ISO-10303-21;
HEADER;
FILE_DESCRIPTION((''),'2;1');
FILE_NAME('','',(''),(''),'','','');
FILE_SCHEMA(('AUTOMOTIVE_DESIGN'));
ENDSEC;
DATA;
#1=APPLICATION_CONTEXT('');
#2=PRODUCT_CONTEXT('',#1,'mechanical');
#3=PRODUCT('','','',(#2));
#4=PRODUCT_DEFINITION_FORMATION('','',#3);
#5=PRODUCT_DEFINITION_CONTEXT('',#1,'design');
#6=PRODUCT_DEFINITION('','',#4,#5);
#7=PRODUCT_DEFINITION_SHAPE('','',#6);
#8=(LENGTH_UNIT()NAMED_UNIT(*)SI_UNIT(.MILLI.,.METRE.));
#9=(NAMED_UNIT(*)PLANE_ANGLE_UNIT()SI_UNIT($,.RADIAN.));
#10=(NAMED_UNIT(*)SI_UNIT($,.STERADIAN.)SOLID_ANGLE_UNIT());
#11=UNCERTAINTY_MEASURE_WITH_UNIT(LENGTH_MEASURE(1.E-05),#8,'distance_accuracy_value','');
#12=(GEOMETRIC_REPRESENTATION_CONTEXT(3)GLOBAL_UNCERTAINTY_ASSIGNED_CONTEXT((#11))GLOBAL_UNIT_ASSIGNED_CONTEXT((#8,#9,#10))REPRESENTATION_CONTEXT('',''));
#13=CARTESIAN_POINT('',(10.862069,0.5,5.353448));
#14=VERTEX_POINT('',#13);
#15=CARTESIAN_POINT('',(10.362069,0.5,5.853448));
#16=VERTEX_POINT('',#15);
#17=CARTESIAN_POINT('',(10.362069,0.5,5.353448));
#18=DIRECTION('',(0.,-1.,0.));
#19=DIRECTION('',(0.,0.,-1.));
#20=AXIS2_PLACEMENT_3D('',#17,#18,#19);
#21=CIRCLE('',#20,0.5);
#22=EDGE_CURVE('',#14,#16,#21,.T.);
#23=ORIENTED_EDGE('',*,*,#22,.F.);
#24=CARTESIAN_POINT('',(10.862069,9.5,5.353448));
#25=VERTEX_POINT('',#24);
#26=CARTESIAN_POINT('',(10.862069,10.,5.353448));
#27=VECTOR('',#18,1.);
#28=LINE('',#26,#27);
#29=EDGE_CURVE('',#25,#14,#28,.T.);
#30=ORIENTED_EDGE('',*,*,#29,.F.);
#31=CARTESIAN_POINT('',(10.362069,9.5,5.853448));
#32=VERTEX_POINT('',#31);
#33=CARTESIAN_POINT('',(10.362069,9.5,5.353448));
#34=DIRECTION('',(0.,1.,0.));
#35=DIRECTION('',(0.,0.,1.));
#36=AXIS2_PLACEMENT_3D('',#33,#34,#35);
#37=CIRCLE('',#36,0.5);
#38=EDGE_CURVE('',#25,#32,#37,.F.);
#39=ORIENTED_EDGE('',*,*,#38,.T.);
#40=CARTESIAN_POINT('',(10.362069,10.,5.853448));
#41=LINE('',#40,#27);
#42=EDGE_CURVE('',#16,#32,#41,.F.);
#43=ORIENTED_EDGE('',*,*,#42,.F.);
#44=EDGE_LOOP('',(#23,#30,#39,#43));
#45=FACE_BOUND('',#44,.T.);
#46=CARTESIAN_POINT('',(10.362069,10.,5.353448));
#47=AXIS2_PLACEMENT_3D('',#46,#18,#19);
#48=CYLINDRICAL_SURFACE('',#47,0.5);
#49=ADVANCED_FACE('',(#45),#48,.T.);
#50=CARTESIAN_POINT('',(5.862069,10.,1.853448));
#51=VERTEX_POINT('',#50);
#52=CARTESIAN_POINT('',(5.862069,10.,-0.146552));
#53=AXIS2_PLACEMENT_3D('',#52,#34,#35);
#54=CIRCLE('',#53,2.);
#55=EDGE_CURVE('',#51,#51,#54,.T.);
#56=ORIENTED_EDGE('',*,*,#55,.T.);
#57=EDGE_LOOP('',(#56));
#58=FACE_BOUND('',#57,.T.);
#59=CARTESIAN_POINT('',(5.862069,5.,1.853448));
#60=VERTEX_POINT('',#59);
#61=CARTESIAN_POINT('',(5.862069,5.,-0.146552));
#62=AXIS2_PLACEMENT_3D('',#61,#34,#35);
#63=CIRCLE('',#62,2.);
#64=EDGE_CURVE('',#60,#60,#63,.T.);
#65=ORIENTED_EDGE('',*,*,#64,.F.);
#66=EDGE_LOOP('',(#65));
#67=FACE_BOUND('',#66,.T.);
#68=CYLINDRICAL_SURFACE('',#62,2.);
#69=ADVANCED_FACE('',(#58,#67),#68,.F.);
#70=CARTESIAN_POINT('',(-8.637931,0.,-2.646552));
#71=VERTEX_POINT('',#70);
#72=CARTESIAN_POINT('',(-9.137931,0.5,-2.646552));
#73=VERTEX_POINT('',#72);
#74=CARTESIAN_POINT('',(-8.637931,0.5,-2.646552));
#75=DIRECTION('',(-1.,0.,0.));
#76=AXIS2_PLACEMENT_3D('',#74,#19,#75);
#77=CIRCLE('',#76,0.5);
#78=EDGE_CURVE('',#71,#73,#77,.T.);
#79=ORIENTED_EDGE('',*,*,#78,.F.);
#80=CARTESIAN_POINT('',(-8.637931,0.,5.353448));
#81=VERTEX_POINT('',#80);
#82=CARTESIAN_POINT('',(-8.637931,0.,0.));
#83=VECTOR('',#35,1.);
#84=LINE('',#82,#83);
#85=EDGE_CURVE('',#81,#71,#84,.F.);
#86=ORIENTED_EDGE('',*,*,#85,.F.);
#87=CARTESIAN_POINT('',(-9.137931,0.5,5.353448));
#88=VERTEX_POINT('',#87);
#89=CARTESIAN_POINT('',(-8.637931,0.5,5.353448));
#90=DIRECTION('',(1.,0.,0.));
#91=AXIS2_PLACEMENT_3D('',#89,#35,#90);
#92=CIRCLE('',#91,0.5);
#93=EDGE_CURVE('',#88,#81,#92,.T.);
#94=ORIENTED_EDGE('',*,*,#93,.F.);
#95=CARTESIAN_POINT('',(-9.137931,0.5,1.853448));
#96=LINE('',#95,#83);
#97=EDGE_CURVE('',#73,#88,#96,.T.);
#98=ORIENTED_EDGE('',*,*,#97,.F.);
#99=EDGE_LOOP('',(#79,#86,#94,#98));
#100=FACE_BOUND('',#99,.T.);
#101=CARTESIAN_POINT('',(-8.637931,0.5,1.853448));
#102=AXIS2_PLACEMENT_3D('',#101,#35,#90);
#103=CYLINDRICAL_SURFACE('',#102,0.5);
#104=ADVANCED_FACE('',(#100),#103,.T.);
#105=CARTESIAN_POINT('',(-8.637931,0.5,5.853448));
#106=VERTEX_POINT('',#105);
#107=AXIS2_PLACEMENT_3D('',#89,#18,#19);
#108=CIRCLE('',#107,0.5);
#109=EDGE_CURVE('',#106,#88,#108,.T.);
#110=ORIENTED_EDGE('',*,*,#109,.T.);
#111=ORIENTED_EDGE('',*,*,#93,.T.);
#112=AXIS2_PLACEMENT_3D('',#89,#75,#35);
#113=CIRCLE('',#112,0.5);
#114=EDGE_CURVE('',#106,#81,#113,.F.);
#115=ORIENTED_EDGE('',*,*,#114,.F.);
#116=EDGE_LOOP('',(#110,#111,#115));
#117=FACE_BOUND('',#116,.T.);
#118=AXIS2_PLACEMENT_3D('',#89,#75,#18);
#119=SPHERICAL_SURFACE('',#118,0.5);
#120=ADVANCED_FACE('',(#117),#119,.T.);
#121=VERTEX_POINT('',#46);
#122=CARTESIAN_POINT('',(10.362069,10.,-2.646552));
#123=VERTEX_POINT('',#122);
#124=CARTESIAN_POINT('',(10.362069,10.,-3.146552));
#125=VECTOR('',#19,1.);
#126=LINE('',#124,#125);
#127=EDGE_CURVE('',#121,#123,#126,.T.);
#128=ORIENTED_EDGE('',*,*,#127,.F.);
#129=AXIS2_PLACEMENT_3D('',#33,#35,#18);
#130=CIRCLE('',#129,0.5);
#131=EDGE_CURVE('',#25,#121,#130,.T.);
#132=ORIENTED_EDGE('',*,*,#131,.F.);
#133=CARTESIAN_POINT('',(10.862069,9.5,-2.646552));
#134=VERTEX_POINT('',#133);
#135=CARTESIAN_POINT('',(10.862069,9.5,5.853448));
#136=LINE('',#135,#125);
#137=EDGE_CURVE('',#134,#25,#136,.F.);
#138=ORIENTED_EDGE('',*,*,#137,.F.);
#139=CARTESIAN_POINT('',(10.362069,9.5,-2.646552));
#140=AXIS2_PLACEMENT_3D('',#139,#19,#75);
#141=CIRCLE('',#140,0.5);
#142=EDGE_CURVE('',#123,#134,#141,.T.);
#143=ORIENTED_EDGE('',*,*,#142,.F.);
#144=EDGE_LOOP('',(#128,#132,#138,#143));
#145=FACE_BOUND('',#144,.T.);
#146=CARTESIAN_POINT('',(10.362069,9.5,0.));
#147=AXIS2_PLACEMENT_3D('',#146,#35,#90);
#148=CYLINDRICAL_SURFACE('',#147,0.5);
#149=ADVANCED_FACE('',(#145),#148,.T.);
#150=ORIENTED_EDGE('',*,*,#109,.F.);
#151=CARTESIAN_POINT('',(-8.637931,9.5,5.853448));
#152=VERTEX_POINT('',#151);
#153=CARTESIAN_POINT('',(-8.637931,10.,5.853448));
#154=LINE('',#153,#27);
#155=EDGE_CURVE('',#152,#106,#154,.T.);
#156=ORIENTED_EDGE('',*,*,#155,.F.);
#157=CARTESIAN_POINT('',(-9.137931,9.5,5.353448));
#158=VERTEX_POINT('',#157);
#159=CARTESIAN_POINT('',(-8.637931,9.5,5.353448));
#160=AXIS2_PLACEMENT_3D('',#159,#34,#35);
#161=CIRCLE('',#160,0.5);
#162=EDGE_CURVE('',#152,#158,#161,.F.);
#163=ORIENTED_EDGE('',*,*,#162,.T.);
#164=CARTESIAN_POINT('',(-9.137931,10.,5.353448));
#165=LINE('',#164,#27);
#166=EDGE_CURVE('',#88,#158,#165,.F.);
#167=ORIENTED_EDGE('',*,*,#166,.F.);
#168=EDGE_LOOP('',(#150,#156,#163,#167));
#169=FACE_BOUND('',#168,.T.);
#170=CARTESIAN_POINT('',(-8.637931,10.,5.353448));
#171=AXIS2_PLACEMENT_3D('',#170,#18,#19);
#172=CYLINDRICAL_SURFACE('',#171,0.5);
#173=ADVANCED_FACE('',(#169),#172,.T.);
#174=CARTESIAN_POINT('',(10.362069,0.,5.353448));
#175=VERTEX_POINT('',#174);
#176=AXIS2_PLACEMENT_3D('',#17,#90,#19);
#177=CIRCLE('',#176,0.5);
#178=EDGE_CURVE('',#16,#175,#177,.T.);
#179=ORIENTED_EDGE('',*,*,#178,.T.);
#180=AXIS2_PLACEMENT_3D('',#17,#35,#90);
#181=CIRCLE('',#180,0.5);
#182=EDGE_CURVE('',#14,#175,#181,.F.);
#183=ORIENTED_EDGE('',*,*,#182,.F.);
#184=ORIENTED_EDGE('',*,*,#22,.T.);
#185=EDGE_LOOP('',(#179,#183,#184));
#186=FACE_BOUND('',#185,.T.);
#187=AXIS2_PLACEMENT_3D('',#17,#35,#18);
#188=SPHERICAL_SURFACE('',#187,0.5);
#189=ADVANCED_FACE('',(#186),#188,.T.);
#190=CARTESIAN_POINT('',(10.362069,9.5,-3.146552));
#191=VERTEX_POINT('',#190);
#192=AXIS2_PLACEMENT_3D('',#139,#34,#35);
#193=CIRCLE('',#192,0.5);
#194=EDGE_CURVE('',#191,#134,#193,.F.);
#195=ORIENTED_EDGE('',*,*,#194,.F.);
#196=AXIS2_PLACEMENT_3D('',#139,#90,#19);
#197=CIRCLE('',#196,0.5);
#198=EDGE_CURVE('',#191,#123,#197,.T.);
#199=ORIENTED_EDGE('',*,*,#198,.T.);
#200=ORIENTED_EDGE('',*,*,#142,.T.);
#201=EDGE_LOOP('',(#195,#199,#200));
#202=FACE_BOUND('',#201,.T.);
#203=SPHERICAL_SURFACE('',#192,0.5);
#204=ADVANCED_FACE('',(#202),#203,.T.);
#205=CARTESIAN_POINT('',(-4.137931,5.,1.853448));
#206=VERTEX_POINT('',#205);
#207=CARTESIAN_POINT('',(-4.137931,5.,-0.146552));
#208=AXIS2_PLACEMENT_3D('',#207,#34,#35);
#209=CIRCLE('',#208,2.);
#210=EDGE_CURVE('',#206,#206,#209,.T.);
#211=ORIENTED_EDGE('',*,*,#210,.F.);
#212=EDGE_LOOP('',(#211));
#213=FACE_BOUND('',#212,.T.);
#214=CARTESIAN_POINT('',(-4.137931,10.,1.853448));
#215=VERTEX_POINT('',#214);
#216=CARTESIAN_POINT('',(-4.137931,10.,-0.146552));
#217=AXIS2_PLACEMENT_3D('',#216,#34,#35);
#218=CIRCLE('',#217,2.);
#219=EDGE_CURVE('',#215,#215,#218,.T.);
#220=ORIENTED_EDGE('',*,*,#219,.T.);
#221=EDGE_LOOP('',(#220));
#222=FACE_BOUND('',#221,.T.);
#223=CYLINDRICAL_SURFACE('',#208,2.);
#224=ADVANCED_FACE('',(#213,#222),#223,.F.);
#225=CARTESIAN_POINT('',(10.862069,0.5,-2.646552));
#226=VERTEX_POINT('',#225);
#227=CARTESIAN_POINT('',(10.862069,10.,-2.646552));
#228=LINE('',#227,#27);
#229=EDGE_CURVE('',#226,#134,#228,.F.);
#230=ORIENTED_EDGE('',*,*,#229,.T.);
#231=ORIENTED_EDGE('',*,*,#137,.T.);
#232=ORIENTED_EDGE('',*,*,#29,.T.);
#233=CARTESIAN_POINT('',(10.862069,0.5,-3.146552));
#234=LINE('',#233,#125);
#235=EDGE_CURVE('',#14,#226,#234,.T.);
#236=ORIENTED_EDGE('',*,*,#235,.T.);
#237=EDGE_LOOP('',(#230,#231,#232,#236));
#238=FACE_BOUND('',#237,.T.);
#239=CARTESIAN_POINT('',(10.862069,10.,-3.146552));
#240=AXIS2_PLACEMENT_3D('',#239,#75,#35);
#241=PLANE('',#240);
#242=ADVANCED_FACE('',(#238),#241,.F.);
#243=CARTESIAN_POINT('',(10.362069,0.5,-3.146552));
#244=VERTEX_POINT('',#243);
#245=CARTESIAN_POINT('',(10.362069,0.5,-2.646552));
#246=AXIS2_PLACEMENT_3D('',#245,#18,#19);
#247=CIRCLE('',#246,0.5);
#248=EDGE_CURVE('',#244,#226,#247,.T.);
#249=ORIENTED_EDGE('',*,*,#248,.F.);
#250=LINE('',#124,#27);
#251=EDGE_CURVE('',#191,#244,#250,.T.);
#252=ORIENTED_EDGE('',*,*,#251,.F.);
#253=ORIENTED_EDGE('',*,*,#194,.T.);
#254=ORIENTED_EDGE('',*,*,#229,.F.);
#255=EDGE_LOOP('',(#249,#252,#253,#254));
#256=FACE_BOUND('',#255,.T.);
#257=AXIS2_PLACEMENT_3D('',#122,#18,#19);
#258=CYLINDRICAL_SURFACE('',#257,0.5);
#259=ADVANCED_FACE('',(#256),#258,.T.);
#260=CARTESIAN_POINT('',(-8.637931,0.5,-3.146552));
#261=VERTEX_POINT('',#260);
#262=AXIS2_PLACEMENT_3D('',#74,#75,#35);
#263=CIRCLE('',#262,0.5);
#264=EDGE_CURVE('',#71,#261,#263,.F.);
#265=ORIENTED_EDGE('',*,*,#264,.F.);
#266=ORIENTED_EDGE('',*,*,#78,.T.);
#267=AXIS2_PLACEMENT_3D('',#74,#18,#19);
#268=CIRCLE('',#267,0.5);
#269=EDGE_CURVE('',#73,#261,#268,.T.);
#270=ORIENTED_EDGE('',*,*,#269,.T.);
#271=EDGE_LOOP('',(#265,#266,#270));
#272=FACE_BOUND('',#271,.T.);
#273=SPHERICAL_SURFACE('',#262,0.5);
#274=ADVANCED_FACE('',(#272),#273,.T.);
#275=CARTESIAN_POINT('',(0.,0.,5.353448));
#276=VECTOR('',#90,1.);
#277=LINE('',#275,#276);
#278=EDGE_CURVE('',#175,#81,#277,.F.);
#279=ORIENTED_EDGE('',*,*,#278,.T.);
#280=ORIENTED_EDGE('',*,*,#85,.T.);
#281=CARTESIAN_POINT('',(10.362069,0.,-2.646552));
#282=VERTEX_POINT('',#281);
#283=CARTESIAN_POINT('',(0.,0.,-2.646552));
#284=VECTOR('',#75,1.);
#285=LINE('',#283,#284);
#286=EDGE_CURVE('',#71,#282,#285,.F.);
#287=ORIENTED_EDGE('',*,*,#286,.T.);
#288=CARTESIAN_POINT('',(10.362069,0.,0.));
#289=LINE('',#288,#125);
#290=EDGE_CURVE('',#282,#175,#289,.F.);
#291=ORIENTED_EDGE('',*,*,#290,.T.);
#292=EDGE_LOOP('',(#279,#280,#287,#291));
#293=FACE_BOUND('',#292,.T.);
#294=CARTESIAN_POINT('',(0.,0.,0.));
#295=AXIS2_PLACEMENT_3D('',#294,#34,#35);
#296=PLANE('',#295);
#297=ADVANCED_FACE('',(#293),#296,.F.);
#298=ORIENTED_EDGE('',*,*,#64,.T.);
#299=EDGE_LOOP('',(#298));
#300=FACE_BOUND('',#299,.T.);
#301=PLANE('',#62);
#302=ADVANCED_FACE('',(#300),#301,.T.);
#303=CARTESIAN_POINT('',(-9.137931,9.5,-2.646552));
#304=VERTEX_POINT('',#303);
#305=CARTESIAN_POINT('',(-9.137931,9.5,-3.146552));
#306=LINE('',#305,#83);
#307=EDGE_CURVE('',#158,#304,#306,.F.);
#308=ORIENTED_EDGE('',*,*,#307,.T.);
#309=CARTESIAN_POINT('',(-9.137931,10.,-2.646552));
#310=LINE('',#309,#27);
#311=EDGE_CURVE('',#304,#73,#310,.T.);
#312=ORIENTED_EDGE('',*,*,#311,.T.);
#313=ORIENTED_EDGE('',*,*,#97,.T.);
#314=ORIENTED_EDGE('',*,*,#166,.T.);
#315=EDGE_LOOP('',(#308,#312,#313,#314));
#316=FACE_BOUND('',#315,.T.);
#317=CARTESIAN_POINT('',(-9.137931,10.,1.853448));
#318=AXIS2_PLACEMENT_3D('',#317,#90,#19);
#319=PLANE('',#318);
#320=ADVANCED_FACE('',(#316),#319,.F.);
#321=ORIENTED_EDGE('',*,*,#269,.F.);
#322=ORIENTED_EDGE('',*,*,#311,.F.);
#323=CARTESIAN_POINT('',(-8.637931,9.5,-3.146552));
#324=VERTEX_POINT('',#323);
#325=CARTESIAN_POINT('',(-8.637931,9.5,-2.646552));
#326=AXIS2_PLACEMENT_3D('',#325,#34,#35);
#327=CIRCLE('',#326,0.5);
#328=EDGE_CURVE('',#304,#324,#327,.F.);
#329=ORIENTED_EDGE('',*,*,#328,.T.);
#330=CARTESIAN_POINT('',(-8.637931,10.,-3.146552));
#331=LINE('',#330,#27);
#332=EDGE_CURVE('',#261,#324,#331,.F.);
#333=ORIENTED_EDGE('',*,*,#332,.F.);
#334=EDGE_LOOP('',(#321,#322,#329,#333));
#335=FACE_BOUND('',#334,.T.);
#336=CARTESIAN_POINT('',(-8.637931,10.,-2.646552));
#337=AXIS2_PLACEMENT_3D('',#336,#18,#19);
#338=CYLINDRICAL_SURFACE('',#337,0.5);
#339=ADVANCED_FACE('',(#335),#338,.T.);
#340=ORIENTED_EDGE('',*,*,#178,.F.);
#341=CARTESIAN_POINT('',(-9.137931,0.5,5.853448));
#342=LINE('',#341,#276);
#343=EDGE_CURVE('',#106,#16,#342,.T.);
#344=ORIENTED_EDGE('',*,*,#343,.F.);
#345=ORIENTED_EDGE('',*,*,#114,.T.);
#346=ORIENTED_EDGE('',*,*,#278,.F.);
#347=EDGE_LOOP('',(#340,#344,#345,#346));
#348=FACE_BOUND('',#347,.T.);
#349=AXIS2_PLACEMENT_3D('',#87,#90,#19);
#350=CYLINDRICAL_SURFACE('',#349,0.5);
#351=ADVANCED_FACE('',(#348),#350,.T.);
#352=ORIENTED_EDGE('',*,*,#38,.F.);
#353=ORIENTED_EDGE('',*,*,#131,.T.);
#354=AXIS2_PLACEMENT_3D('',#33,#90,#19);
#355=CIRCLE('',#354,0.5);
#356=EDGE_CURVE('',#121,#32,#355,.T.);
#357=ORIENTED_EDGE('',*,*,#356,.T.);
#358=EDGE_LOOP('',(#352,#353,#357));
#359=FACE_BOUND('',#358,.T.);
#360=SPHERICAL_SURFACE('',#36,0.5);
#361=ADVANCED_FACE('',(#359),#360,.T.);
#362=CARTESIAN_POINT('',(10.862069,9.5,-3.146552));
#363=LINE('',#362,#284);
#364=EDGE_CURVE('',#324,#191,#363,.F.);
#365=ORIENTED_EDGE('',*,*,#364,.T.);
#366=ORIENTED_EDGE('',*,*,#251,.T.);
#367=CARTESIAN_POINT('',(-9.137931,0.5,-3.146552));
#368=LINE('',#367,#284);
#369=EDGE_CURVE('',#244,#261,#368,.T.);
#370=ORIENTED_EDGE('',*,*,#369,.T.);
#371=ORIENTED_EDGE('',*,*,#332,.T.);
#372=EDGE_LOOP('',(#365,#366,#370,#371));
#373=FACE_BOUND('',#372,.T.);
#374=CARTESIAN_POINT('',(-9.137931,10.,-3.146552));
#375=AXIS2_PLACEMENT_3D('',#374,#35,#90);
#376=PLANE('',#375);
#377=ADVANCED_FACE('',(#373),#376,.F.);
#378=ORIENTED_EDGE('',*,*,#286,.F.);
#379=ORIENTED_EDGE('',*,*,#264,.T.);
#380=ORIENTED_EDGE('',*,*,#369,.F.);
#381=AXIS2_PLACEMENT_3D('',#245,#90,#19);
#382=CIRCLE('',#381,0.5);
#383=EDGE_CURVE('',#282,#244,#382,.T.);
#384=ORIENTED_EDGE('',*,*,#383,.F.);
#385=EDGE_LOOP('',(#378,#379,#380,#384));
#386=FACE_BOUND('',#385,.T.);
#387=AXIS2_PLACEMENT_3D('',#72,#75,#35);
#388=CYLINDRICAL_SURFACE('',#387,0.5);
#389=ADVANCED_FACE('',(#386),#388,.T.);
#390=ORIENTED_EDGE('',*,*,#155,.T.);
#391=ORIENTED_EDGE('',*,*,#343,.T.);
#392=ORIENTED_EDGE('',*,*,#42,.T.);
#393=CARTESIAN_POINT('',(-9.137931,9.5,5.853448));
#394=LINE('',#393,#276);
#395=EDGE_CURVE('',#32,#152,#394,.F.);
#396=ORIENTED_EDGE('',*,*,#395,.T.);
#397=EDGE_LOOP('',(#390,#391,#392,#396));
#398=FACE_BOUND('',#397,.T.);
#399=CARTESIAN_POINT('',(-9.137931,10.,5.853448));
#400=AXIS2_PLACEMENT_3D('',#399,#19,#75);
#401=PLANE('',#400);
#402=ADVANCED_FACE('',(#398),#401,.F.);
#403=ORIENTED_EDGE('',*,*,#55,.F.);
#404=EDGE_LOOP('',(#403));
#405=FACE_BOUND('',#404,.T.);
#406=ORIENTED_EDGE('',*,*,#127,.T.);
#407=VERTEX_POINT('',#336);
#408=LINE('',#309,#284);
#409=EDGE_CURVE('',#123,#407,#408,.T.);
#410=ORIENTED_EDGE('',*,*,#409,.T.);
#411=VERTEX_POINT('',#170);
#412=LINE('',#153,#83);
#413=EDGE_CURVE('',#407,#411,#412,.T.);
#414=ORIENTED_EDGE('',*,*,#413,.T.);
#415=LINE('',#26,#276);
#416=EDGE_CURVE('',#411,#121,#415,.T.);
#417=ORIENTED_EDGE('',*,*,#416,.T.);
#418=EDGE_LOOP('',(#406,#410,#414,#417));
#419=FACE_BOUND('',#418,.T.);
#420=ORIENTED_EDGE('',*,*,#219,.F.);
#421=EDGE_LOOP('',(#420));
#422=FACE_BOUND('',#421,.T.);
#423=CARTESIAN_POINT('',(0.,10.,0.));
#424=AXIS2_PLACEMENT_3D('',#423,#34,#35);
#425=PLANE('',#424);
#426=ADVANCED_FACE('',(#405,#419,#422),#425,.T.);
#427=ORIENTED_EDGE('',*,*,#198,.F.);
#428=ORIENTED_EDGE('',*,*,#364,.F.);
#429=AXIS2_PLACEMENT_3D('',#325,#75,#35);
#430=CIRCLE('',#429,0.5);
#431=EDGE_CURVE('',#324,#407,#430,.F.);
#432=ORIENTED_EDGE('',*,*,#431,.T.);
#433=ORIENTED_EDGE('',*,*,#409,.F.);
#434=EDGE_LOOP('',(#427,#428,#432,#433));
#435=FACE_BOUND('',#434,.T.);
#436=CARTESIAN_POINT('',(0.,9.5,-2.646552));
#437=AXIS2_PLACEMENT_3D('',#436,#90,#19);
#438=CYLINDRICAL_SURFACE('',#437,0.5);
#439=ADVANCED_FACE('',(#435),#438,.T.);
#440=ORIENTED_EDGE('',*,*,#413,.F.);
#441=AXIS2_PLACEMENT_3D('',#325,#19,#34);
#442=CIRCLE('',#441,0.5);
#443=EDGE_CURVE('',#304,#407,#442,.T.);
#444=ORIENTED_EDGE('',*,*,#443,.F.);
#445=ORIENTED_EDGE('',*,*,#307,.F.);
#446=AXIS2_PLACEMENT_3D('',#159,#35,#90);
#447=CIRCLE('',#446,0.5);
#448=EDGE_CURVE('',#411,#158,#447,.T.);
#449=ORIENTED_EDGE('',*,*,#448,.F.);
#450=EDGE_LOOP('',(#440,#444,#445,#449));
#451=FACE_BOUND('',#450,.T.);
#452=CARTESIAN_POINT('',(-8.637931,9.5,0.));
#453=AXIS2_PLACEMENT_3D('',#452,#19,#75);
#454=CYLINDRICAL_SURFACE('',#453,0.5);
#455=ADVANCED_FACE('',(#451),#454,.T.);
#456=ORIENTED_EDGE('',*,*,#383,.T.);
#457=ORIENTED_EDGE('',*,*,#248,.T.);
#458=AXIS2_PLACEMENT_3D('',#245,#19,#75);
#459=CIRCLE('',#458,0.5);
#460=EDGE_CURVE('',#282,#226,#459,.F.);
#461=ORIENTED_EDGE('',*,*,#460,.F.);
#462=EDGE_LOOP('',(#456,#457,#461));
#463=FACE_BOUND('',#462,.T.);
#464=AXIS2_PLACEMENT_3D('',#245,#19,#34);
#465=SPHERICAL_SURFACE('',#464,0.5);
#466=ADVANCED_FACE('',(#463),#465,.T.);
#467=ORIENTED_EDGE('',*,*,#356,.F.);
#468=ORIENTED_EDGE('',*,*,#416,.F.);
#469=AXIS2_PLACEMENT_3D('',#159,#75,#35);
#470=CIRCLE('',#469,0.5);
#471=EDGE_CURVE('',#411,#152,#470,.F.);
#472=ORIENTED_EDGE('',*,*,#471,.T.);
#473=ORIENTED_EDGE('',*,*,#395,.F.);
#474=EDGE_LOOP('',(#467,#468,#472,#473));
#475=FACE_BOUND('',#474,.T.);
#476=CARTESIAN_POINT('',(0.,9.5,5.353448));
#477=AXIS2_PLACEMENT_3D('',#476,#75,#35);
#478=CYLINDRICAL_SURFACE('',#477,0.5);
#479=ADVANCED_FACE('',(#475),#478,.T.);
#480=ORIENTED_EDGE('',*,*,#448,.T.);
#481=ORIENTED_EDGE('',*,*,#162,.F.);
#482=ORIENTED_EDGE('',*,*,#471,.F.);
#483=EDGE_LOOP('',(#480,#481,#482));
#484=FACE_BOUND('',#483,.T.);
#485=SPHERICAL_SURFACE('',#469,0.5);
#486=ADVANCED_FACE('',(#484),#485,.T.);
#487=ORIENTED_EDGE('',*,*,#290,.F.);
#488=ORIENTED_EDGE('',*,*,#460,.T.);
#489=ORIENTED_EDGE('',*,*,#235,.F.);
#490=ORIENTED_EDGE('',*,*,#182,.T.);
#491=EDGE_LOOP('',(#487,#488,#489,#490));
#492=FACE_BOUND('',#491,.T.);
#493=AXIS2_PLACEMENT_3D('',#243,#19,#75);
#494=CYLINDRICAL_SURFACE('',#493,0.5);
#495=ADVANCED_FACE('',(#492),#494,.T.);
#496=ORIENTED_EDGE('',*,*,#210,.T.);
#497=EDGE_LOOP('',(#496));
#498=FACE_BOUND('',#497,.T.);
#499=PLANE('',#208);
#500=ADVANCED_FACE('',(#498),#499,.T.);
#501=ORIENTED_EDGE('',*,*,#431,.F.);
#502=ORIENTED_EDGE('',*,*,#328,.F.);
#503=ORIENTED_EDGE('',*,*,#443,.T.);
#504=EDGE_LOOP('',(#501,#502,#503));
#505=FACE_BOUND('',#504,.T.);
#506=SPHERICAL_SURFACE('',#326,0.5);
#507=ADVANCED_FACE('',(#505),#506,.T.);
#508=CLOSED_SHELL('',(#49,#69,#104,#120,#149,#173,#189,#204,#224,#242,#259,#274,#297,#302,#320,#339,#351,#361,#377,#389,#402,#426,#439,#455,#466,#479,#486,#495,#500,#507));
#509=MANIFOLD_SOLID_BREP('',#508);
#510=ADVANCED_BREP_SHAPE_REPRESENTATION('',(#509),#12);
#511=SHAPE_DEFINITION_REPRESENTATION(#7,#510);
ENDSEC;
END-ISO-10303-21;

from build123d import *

# Parameters (mm, degrees)
BOSS_EXTRUDE1_DEPTH = 10
SKETCH2_R           = 2
CUT_EXTRUDE1_DEPTH  = 5
FILLET2_R           = 0.5


with BuildPart() as part:
    # Sketch1 → Boss-Extrude1 (new body)
    with BuildSketch(Plane(origin=(0, 0, 0), x_dir=(1, 0, 0), z_dir=(0, 1, 0))):
        Polygon((-9.137931034, 3.146551724), (10.862068966, 3.146551724), (10.862068966, -1.853448276), (10.862068966, -5.853448276), (-9.137931034, -5.853448276), (-9.137931034, -1.853448276), align=None)
    extrude(amount=BOSS_EXTRUDE1_DEPTH)

    # Sketch2 → Cut-Extrude1 (cut)
    with BuildSketch(Plane(origin=(0, 10, 0), x_dir=(1, 0, 0), z_dir=(0, 1, 0))):
        with Locations(Location((-4.137931034, 0.146551724, 0), (0, 0, 270))):
            Circle(SKETCH2_R)
        with Locations(Location((5.862068966, 0.146551724, 0), (0, 0, 270))):
            Circle(SKETCH2_R)
    extrude(amount=-CUT_EXTRUDE1_DEPTH, mode=Mode.SUBTRACT)

    # Fillet2
    fillet2_edges = [part.edges().sort_by_distance(p)[0] for p in [
        (-9.137931034, 5, -3.146551724),
        (10.862068966, 5, -3.146551724),
        (10.862068966, 5, 5.853448276),
        (-9.137931034, 5, 5.853448276),
        (0.862068966, 10, 5.853448276),
        (10.862068966, 10, 1.353448276),
        (0.862068966, 10, -3.146551724),
        (-9.137931034, 10, 1.353448276),
        (0.862068966, 0, -3.146551724),
        (10.862068966, 0, 1.353448276),
        (0.862068966, 0, 5.853448276),
        (-9.137931034, 0, 1.353448276),
    ]]
    fillet(fillet2_edges, radius=FILLET2_R)


solid = part.part
